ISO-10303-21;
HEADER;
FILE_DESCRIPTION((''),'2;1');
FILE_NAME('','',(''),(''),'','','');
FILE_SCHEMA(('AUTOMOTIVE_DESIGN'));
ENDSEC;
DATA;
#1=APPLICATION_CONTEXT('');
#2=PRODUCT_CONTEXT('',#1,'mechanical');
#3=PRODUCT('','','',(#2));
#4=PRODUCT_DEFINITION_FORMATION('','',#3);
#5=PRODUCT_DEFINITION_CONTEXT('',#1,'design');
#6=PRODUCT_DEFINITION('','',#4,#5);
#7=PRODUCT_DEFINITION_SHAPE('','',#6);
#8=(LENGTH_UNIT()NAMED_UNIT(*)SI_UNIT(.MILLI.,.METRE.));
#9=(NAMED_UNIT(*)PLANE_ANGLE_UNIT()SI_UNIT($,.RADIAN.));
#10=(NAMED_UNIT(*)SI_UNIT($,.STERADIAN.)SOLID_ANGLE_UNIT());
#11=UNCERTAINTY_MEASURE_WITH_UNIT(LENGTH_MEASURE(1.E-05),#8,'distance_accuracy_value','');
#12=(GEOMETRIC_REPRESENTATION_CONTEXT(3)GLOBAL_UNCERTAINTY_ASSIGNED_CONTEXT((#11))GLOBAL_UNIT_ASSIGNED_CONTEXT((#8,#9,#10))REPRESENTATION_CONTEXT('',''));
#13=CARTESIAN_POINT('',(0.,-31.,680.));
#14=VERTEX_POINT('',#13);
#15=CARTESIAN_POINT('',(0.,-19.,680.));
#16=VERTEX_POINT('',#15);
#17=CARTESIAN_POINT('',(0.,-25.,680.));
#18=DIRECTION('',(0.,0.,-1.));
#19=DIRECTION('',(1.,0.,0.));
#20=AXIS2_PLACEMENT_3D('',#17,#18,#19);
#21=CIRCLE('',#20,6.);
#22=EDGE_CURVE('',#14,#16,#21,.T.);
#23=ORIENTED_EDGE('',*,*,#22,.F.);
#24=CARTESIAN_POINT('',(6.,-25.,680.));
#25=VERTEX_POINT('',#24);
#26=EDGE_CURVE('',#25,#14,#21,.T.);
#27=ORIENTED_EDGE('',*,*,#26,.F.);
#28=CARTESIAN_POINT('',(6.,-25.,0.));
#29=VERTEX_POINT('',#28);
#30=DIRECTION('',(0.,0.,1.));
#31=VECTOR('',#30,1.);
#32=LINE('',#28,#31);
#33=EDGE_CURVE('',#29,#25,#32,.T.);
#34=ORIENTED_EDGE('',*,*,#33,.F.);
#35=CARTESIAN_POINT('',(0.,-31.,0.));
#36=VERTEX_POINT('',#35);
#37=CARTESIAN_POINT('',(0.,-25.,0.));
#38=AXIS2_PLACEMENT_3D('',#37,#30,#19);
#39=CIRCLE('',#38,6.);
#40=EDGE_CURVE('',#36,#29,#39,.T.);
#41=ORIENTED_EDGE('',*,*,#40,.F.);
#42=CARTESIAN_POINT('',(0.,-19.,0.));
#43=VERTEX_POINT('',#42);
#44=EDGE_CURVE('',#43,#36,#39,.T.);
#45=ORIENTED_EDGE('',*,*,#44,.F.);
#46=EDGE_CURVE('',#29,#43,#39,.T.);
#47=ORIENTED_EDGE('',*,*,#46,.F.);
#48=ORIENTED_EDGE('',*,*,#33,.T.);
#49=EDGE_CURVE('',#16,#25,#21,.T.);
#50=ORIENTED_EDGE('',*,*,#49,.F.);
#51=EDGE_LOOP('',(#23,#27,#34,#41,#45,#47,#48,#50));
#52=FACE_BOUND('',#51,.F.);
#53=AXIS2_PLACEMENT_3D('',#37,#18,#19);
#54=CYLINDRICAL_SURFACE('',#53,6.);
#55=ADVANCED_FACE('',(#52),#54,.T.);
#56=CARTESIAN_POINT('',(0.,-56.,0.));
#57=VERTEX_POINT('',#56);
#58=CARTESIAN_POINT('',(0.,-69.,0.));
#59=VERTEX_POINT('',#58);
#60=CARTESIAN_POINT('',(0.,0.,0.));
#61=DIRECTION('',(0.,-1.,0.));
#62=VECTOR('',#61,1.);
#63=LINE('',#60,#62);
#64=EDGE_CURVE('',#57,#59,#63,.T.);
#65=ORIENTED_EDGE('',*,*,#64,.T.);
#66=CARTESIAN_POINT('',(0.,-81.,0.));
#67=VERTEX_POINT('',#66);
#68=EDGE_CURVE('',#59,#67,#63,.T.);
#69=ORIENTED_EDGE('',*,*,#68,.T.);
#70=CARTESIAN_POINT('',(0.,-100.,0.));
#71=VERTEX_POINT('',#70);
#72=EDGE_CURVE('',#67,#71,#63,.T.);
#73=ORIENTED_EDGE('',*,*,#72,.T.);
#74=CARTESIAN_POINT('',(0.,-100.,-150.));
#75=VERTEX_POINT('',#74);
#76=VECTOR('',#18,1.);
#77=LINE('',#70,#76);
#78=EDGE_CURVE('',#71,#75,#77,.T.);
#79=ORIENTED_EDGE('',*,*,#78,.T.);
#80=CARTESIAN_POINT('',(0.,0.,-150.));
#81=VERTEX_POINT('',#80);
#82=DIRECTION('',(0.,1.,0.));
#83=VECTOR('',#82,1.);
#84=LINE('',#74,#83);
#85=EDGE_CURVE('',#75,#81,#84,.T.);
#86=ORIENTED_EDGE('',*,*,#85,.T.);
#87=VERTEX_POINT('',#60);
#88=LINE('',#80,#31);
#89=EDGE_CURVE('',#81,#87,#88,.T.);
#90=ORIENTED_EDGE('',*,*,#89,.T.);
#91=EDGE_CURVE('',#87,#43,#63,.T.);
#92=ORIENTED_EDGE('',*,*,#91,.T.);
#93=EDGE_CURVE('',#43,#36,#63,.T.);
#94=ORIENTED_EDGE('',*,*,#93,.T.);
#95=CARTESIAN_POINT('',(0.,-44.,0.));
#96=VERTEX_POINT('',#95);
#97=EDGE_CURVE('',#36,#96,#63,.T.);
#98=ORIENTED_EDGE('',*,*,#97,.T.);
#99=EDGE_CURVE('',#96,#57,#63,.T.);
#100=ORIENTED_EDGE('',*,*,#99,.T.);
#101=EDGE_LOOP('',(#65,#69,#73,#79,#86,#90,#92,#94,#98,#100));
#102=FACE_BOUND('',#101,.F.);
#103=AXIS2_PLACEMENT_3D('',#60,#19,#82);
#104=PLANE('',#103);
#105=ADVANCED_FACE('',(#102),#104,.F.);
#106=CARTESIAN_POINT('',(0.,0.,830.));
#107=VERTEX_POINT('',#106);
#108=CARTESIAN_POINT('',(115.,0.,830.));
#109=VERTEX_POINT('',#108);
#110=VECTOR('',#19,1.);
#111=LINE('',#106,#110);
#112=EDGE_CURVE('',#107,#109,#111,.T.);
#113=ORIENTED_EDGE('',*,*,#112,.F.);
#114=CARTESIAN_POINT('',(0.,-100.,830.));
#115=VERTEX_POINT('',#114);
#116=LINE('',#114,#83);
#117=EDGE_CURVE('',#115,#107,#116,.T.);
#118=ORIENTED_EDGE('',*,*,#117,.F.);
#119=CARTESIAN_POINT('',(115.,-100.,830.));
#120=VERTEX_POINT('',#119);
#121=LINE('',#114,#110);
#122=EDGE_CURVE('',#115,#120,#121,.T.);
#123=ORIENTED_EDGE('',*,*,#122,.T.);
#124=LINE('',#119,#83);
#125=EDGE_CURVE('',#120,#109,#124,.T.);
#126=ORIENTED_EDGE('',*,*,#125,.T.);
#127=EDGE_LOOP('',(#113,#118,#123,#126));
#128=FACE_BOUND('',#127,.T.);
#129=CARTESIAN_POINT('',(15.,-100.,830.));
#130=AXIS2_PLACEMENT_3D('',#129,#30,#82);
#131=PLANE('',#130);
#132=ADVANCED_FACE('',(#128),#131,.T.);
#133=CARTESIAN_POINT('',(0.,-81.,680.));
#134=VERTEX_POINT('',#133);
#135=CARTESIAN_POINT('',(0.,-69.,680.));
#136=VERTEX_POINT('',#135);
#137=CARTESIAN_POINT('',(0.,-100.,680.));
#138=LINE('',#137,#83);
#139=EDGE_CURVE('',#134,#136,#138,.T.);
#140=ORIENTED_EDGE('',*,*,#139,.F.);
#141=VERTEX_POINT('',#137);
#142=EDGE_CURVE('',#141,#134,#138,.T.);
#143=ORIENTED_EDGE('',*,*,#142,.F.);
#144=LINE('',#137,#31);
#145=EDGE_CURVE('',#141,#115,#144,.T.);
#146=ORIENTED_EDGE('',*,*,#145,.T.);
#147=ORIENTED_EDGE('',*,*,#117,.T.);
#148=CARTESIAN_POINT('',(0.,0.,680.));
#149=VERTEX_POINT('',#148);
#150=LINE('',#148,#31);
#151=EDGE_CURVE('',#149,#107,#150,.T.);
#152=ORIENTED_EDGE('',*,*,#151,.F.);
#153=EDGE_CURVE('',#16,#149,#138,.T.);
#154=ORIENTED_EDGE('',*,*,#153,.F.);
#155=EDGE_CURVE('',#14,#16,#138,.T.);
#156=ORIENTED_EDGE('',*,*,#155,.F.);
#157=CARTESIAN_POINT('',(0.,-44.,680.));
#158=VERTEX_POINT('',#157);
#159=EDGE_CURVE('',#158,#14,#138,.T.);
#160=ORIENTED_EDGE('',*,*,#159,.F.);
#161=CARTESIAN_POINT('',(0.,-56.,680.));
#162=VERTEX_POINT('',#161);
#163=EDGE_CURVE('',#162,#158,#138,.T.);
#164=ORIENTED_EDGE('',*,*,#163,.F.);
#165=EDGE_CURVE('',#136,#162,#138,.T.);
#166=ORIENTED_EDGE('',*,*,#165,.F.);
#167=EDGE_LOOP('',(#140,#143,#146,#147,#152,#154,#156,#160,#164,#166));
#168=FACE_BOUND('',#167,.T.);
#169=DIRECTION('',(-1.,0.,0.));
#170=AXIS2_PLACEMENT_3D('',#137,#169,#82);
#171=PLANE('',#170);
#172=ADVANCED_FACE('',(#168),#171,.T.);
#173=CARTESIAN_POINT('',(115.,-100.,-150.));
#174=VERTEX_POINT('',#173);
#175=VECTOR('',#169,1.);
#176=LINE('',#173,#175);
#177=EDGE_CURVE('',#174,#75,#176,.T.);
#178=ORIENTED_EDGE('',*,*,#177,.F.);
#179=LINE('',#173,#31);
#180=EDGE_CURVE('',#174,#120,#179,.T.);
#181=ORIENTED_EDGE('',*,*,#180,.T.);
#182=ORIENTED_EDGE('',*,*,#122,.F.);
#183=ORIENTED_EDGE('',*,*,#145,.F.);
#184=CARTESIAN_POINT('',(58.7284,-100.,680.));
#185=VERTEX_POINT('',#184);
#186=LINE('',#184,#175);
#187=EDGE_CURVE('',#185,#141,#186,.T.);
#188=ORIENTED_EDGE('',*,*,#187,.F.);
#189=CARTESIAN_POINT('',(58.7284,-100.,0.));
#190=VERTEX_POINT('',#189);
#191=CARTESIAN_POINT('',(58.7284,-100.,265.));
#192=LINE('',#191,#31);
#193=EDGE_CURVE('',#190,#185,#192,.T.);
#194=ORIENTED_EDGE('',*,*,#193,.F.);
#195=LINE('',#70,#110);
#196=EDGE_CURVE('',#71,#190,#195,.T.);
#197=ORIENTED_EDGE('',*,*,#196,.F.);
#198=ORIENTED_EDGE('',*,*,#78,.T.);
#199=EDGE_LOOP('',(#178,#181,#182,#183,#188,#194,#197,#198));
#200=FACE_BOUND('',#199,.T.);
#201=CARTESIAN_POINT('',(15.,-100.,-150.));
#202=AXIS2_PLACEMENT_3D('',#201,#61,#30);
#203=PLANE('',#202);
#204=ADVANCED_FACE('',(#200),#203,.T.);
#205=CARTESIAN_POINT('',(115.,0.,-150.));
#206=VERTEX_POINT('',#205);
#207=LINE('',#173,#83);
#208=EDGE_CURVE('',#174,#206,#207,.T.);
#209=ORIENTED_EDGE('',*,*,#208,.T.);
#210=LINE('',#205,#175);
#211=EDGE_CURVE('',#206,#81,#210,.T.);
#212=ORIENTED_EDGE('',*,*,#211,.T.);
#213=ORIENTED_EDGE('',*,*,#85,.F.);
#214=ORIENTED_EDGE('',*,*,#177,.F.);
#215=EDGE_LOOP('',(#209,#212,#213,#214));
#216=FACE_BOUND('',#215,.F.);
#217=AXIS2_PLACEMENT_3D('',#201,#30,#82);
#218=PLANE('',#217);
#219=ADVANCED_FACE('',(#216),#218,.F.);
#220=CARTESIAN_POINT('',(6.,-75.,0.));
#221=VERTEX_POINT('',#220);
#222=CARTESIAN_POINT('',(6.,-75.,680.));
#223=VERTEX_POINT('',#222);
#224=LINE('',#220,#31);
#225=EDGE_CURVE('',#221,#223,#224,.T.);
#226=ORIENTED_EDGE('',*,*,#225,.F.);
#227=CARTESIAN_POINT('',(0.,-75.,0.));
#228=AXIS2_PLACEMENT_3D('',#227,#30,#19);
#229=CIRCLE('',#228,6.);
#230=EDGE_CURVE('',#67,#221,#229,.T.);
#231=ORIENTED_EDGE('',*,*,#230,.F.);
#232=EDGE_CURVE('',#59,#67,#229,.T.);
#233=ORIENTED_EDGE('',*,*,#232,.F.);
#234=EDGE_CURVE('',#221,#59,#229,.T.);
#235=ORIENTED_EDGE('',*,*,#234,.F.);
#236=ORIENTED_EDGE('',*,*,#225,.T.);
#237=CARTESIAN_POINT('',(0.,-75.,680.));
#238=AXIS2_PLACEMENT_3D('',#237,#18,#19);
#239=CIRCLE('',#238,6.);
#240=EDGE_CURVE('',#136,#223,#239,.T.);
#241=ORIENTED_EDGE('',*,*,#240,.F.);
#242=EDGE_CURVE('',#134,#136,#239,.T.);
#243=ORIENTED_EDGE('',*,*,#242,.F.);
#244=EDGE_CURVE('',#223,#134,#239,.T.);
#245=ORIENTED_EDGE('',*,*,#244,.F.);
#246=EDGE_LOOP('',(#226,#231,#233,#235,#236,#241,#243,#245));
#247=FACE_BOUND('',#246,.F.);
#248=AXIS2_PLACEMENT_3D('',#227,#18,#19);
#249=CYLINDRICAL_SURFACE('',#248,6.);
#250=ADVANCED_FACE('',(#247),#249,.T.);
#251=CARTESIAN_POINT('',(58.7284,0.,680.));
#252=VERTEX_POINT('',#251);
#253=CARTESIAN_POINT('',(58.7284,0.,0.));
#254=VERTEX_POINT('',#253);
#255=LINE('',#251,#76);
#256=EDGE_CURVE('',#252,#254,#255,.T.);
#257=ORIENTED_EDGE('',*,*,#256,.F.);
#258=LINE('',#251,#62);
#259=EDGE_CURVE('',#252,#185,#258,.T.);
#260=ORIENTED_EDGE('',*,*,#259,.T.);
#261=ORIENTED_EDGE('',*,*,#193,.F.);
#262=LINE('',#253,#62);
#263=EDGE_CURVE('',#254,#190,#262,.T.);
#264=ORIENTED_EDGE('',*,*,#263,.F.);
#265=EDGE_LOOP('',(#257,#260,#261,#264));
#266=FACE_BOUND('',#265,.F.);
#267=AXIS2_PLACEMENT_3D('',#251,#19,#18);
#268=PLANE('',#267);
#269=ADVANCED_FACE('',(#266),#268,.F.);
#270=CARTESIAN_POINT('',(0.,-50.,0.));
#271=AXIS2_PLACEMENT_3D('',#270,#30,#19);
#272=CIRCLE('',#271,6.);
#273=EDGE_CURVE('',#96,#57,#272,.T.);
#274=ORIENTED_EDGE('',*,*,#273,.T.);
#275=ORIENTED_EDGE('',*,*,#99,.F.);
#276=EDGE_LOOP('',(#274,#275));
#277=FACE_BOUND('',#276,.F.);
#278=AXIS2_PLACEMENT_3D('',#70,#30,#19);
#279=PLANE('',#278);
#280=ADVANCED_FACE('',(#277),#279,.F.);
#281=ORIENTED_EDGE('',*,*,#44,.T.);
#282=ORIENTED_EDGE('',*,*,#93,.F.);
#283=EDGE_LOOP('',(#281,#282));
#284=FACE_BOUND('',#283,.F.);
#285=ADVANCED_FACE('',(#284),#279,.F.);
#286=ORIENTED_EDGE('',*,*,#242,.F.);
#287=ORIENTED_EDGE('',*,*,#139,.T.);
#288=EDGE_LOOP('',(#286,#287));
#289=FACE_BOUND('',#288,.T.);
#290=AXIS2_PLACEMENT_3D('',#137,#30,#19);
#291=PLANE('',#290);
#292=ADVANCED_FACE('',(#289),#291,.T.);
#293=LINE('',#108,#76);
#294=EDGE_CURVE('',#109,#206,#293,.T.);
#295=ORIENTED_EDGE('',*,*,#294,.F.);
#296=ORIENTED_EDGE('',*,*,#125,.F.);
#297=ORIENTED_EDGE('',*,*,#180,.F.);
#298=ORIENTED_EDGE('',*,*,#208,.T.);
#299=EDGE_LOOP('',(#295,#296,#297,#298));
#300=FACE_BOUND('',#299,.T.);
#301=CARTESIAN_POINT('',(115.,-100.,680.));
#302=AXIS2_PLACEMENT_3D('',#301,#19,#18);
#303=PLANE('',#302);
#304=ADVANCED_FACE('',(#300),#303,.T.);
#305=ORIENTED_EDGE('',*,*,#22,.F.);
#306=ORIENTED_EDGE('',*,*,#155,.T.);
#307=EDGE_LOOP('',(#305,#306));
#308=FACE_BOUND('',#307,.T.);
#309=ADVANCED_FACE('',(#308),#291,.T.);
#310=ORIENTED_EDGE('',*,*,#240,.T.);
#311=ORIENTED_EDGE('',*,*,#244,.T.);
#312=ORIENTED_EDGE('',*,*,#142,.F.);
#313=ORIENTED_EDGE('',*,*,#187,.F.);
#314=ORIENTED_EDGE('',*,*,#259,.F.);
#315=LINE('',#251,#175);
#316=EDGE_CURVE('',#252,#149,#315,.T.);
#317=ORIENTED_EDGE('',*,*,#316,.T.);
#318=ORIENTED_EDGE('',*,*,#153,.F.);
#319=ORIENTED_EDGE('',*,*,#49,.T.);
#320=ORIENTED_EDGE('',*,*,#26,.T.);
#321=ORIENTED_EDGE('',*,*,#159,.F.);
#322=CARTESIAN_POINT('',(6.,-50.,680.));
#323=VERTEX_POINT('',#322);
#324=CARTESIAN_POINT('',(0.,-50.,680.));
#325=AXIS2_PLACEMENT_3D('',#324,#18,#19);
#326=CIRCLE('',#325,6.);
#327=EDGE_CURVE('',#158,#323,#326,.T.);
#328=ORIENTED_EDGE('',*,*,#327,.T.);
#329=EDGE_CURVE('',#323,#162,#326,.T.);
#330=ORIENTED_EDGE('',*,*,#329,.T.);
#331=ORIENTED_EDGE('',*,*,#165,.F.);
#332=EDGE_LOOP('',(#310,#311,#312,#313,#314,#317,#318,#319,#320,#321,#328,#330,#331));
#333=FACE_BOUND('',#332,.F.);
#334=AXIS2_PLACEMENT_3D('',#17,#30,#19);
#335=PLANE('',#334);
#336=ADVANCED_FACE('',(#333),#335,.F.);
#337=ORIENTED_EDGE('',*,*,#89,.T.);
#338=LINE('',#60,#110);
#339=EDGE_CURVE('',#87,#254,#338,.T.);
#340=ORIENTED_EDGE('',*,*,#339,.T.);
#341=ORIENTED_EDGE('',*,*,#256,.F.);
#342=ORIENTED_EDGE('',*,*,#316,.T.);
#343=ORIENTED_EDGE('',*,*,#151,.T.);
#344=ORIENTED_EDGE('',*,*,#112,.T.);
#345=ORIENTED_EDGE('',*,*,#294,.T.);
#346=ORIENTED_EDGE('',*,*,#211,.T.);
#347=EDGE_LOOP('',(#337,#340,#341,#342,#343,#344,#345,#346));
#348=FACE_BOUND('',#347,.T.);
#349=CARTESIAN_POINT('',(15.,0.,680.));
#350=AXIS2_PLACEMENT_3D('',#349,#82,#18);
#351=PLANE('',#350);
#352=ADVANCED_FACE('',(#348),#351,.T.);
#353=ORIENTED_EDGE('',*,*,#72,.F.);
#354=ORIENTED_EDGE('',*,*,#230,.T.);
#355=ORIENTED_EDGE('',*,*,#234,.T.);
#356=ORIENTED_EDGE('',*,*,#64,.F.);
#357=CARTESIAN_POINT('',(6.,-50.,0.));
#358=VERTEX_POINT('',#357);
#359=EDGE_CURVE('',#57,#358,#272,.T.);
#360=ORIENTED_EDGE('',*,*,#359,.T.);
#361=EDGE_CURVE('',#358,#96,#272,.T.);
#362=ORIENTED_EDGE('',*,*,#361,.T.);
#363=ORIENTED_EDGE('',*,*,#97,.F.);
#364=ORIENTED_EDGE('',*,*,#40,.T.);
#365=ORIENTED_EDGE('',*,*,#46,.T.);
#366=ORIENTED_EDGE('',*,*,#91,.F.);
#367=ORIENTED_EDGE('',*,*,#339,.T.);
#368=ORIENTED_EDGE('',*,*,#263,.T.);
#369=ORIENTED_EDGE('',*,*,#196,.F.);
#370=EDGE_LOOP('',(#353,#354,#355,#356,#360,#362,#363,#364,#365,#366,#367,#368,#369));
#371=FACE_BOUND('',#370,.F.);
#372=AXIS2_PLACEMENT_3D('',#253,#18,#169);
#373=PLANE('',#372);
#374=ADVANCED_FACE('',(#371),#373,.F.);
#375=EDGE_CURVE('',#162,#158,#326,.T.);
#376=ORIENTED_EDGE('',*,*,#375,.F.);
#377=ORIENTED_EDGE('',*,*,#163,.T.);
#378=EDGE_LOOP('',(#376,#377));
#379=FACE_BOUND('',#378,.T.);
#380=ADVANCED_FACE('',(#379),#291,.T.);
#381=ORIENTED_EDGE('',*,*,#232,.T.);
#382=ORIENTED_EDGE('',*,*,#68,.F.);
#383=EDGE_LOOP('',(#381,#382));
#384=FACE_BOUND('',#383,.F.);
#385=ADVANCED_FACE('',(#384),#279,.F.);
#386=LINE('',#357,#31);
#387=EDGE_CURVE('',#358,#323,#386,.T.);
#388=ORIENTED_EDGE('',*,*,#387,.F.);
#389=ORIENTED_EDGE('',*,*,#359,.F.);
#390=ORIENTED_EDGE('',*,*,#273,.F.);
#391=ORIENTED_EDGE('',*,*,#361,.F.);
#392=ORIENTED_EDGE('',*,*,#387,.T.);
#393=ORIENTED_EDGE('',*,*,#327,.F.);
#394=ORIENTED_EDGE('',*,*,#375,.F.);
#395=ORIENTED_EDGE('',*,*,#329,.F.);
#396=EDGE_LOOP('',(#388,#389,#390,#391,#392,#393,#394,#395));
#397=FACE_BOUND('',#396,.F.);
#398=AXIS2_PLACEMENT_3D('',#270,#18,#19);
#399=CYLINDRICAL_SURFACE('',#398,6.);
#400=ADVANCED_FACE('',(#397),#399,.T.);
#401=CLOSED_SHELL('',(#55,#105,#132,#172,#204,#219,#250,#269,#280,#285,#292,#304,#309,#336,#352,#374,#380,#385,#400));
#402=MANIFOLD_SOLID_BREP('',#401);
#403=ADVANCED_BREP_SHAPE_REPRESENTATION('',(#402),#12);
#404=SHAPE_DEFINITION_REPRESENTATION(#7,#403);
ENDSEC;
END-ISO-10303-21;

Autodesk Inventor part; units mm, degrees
ref_plane "YZ Plane" through (0, 0, 0) normal (1, 0, 0) x (0, 1, 0)
ref_plane "XZ Plane" through (0, 0, 0) normal (0, 1, 0) x (-1, 0, 0)
ref_plane "XY Plane" through (0, 0, 0) normal (0, 0, 1) x (1, 0, 0)
sketch "Sketch1" plane through (0, 0, 0) normal (1, 0, 0) x (0, 1, 0)
  line L0 (0, 0) -> (-100, 0)
  line L1 (-100, 0) -> (-100, -150)
  line L2 (-100, -150) -> (0, -150)
  line L3 (0, -150) -> (0, 0)
  dimension "d0" = 100
  dimension "d1" = 150
extrude "Extrusion1" add sketch "Sketch1" along normal blind 15
sketch "Sketch2" plane through (0, -100, 0) normal (0, 0, 1) x (1, 0, 0)
  line L0 (0, 100) -> (0, 0) projected
  line L1 (0, 100) -> (0, 0)
  line L2 (0, 0) -> (0, 19)
  line L3 (0, 100) -> (0, 81)
  line L4 (0, 81) -> (0, 75)
  line L5 (0, 75) -> (0, 69)
  circle A0 centre (0, 75) radius 6
  line L6 (0, 69) -> (0, 56)
  line L7 (0, 56) -> (0, 50)
  circle A1 centre (0, 50) radius 6
  line L8 (0, 44) -> (0, 31)
  line L9 (0, 31) -> (0, 25)
  circle A2 centre (0, 25) radius 6
  dimension "d11" = 12
  dimension "d4" = 19
  dimension "d5" = 19
  dimension "d6" = 6
  dimension "d7" = 6
  dimension "d8" = 12
  dimension "d9" = 13
  dimension "d10" = 6
  dimension "d12" = 13
  dimension "d13" = 6
  dimension "d14" = 12
extrude "Extrusion2" add sketch "Sketch2" along normal blind 680
sketch "Sketch3" plane through (0, -25, 680) normal (0, 0, 1) x (1, 0, 0)
  line L0 (0, -75) -> (0, 25) projected
  line L1 (15, 25) -> (15, -75) projected
  line L2 (0, 25) -> (15, 25)
  line L3 (15, 25) -> (15, -75)
  line L4 (15, -75) -> (0, -75)
  line L5 (0, -75) -> (0, 25)
extrude "Extrusion3" add sketch "Sketch3" along normal blind 150
sketch "Sketch4" plane through (15, -100, 680) normal (1, 0, 0) x (0, 0, -1)
  line L0 (0, 100) -> (-150, 100) projected
  line L1 (830, 0) -> (830, 100) projected
  line L2 (-150, 100) -> (830, 100)
  line L3 (830, 100) -> (830, 0)
  line L4 (830, 0) -> (-150, 0)
  line L5 (-150, 0) -> (-150, 100)
  point P0 (680, 100)
extrude "Extrusion4" add sketch "Sketch4" along normal blind 100
sketch "Sketch5" plane through (0, 0, 0) normal (0, 1, 0) x (1, 0, 0)
  line L0 (15, -680) -> (0, -680) projected
  line L1 (15, -680) -> (58.7284, -680)
  line L2 (58.7284, -680) -> (58.7284, 0)
  line L3 (58.7284, 0) -> (15, 0)
  line L4 (15, 0) -> (15, -680)
  point P0 (0, 0)
extrude "Extrusion5" cut sketch "Sketch5" along normal through all both and the other way through all
properties part number "support"
